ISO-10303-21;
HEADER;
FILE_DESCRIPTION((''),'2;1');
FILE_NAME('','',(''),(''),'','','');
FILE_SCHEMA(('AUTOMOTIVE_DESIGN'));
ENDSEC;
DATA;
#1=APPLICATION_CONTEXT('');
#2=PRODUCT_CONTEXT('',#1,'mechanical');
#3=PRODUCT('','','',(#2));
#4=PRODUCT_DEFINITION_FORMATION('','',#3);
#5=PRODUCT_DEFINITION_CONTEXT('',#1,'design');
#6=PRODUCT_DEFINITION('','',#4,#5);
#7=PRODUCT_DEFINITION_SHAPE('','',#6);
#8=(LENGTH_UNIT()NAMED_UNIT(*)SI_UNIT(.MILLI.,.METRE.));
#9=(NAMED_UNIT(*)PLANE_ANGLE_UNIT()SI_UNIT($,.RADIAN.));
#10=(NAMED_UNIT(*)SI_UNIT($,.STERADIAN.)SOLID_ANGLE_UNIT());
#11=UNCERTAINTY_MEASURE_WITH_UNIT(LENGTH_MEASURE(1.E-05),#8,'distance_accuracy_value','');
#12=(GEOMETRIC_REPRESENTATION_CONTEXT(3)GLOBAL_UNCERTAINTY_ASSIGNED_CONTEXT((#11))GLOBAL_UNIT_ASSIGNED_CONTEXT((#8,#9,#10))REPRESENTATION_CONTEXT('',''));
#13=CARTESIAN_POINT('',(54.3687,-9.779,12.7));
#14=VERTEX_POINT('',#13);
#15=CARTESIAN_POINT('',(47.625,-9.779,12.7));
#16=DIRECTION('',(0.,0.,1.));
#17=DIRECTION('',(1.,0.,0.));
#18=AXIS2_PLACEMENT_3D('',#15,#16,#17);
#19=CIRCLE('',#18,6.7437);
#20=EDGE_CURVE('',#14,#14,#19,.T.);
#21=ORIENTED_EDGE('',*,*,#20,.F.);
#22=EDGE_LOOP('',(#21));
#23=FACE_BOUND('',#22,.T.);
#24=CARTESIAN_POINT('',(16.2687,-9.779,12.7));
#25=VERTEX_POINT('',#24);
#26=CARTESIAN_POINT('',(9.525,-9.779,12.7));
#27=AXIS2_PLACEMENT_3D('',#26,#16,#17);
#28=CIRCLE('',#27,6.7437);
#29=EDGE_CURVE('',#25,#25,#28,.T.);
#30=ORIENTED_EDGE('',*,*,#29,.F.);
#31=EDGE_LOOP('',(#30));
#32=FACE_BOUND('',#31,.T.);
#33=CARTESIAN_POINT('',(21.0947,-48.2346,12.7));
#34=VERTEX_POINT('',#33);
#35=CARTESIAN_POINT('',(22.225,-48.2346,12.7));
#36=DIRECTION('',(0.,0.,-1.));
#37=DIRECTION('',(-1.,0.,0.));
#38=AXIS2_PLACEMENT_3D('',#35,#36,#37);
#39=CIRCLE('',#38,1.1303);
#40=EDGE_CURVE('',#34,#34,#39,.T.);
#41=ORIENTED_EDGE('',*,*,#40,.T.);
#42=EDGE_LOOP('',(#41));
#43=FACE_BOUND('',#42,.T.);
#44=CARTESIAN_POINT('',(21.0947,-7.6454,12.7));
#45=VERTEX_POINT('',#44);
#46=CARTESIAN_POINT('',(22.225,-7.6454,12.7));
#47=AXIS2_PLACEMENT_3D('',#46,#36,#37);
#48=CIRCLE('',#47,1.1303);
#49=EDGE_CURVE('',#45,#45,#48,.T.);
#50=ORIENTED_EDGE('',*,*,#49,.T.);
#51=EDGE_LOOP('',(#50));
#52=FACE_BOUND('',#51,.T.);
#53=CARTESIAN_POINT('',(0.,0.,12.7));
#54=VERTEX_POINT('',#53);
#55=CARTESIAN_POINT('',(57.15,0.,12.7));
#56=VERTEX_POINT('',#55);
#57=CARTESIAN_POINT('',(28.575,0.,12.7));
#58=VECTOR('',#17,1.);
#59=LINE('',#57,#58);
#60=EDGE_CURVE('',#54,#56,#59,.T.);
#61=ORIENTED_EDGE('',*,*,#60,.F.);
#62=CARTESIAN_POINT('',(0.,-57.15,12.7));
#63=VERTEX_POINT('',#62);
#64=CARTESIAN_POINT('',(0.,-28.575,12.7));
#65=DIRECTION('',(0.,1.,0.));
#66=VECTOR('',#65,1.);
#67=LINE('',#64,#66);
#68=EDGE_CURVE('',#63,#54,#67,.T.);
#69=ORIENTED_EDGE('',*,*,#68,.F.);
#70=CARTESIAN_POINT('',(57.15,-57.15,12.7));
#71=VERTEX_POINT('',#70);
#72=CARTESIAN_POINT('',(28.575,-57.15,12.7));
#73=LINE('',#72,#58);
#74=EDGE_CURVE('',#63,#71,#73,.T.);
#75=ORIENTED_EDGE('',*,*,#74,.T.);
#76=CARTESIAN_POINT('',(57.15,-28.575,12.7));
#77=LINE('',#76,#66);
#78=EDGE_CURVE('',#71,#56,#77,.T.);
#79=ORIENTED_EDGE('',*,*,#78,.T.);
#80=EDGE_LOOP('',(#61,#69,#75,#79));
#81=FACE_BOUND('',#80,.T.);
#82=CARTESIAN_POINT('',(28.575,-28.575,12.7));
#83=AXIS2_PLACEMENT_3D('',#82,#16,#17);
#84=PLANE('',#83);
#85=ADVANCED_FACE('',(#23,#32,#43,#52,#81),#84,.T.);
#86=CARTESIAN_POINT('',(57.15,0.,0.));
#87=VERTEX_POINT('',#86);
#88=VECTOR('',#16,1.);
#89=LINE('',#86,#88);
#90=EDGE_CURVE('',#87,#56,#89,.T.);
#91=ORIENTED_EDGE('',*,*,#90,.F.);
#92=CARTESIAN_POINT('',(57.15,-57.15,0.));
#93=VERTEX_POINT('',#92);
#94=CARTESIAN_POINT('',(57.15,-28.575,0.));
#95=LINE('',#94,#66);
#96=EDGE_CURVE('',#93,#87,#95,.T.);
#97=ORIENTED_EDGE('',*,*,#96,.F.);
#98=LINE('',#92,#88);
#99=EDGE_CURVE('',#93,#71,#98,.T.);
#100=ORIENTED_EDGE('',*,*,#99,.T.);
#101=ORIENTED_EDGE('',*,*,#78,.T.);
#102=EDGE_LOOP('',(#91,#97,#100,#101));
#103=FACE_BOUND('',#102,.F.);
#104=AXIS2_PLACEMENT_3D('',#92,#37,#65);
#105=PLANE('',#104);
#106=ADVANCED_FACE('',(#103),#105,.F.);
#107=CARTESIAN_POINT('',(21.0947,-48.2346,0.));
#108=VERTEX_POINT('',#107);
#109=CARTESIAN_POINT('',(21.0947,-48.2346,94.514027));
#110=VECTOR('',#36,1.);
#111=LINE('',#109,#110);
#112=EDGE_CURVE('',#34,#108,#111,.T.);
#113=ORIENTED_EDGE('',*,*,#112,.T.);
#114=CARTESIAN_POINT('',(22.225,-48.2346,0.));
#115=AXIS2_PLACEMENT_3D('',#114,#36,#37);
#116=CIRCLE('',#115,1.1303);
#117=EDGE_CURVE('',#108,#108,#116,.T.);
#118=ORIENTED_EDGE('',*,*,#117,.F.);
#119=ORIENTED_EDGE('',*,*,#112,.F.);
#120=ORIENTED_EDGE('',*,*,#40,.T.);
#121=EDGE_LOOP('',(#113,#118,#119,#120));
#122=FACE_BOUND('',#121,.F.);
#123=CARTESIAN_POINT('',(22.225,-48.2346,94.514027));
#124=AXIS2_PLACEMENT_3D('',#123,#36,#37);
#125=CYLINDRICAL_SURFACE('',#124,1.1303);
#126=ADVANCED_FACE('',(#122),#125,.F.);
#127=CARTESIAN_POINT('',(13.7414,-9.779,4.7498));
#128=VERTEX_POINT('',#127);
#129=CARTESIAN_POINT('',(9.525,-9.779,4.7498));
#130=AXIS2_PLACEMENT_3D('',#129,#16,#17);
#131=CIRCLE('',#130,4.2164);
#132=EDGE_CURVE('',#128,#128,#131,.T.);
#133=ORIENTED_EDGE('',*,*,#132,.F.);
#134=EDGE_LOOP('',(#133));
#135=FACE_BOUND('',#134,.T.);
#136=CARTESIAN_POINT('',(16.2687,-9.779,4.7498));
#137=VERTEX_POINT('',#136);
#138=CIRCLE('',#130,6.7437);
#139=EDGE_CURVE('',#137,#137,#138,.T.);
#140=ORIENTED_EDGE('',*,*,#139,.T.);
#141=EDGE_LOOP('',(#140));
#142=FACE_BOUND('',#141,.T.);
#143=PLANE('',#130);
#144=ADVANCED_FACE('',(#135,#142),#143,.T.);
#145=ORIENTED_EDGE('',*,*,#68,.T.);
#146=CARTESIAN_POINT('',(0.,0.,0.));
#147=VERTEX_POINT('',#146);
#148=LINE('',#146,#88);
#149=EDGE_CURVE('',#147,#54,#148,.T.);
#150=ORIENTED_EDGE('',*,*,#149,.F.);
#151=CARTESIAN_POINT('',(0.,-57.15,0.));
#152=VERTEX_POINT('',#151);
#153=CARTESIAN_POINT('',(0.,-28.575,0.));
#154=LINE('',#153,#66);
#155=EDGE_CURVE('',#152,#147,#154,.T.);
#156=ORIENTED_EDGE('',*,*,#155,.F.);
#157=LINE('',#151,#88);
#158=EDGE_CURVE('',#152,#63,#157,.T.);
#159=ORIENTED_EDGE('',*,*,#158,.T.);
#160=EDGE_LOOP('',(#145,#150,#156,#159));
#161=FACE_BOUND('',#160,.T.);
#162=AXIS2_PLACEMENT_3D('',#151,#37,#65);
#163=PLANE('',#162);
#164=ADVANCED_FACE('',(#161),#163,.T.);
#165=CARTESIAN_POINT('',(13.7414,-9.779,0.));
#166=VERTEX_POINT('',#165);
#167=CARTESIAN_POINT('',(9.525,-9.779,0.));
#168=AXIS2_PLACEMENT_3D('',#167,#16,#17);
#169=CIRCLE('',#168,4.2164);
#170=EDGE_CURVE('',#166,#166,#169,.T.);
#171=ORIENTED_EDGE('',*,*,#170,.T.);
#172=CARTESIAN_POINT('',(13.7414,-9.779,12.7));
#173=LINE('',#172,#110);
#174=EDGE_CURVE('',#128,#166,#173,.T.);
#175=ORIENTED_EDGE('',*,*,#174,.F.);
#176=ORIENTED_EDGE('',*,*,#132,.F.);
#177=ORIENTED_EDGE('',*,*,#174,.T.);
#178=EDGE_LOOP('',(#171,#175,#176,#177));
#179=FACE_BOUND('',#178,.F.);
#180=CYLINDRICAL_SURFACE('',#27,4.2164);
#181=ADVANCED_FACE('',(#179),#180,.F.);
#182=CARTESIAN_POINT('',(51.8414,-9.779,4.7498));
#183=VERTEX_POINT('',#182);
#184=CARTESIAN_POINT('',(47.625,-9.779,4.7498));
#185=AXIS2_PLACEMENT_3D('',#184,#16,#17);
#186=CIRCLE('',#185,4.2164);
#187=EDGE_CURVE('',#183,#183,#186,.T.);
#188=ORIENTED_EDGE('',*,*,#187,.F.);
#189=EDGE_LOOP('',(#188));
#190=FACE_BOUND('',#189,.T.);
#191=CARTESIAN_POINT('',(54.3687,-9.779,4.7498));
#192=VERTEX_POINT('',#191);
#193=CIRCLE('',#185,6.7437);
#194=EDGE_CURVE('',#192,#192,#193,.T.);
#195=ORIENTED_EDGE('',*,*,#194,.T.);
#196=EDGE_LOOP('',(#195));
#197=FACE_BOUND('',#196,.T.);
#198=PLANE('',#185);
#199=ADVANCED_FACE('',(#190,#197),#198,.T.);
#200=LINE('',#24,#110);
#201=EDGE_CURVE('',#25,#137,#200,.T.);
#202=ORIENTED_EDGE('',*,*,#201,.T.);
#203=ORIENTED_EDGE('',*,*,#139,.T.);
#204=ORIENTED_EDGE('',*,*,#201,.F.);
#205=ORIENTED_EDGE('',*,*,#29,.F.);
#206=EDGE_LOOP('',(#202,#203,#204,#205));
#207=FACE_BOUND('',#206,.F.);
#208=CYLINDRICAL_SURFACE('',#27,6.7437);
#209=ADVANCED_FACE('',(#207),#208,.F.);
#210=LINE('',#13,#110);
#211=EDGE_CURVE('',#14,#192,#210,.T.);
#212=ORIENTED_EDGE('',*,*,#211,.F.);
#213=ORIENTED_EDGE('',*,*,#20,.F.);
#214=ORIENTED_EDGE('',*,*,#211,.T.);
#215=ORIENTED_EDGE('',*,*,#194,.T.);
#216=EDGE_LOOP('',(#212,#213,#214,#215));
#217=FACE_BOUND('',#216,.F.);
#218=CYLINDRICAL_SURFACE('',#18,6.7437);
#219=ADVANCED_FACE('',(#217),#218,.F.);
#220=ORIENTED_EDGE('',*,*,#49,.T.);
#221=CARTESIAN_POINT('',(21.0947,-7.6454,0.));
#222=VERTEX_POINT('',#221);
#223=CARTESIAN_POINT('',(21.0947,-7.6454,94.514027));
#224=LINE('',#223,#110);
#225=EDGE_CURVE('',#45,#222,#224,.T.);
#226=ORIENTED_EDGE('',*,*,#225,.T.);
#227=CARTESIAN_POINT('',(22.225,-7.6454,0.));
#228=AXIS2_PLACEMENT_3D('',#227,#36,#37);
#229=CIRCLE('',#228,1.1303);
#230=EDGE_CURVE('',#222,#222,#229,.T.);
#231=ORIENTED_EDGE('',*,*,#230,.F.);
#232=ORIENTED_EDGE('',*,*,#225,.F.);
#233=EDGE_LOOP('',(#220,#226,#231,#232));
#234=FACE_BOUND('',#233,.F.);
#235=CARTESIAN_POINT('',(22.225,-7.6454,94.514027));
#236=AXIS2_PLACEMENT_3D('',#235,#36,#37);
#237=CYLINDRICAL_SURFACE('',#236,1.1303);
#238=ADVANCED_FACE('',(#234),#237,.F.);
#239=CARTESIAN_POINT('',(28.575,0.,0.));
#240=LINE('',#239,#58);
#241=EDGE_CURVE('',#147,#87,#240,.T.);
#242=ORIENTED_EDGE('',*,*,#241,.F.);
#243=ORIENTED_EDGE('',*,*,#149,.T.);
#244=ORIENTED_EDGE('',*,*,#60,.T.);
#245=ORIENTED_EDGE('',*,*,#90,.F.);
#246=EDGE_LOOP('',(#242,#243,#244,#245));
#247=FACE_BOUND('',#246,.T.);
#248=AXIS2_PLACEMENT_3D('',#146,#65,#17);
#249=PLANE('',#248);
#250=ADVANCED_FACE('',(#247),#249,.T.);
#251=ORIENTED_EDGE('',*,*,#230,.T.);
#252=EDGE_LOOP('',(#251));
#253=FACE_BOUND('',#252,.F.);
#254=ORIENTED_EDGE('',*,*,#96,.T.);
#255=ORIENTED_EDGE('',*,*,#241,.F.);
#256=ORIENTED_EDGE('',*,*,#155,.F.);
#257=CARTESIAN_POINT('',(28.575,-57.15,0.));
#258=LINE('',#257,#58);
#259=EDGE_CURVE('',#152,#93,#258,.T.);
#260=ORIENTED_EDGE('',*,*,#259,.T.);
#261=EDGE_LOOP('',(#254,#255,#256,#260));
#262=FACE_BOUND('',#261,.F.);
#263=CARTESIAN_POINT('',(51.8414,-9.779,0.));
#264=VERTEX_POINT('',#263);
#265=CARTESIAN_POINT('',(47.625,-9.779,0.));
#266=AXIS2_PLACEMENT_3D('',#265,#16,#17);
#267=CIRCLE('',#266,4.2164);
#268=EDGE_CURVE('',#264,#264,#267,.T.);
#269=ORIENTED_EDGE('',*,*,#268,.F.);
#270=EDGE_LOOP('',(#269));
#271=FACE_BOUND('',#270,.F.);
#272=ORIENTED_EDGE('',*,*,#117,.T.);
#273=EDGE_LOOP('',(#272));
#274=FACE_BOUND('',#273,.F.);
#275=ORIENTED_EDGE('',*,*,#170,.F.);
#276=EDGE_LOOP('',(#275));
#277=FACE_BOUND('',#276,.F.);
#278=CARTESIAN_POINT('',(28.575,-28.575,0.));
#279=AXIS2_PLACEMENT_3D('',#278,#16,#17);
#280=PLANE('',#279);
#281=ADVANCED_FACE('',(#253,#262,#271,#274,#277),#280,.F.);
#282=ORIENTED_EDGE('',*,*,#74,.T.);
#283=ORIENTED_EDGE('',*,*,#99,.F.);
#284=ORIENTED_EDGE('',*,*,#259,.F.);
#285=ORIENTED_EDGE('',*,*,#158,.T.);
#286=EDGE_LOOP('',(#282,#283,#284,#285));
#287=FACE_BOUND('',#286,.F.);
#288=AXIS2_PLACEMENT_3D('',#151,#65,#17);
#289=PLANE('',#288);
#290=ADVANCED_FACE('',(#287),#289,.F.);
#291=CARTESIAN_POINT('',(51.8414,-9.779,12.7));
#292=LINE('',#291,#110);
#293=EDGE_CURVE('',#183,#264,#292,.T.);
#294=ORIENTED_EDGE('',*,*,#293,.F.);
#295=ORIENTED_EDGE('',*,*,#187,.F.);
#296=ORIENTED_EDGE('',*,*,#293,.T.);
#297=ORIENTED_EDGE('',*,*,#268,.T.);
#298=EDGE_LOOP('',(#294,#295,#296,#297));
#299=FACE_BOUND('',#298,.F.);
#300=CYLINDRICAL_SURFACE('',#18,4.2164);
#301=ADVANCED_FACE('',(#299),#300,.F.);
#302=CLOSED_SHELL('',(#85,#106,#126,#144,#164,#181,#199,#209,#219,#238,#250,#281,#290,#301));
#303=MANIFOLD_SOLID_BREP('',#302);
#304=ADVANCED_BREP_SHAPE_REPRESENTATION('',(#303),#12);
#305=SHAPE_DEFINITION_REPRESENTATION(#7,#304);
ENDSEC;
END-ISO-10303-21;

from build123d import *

# Parameters (mm, degrees)
F0_W     = 57.15
F0_H     = 57.15
F1_DEPTH = 12.7
F2_R     = 4.2164
F3_DEPTH = 12.701
F4_R     = 6.7437
F5_DEPTH = 7.9502
F7_D     = 2.2606


with BuildPart() as f1:
    # F0 (on Top) → F1 (new body)
    with BuildSketch(Plane.XY):
        with Locations((28.575, -28.575)):
            Rectangle(F0_W, F0_H)
    extrude(amount=F1_DEPTH)

    # F2 (on face) → F3 (cut, through all)
    with BuildSketch(Plane.XY.offset(12.7)):
        with Locations((9.525, -9.779)):
            Circle(F2_R)
        with Locations((47.625, -9.779)):
            Circle(F2_R)
    extrude(amount=-F3_DEPTH, mode=Mode.SUBTRACT)

    # F4 (on face) → F5 (cut)
    with BuildSketch(Plane.XY.offset(12.7)):
        with Locations((9.525, -9.779)):
            Circle(F4_R)
        with Locations((47.625, -9.779)):
            Circle(F4_R)
    extrude(amount=-F5_DEPTH, mode=Mode.SUBTRACT)

    # F7 (through all)
    with Locations(Plane.XY.offset(12.7)):
        with Locations((22.225, -7.6454), (22.225, -48.2346)):
            Hole(F7_D / 2)


solid = f1.part
